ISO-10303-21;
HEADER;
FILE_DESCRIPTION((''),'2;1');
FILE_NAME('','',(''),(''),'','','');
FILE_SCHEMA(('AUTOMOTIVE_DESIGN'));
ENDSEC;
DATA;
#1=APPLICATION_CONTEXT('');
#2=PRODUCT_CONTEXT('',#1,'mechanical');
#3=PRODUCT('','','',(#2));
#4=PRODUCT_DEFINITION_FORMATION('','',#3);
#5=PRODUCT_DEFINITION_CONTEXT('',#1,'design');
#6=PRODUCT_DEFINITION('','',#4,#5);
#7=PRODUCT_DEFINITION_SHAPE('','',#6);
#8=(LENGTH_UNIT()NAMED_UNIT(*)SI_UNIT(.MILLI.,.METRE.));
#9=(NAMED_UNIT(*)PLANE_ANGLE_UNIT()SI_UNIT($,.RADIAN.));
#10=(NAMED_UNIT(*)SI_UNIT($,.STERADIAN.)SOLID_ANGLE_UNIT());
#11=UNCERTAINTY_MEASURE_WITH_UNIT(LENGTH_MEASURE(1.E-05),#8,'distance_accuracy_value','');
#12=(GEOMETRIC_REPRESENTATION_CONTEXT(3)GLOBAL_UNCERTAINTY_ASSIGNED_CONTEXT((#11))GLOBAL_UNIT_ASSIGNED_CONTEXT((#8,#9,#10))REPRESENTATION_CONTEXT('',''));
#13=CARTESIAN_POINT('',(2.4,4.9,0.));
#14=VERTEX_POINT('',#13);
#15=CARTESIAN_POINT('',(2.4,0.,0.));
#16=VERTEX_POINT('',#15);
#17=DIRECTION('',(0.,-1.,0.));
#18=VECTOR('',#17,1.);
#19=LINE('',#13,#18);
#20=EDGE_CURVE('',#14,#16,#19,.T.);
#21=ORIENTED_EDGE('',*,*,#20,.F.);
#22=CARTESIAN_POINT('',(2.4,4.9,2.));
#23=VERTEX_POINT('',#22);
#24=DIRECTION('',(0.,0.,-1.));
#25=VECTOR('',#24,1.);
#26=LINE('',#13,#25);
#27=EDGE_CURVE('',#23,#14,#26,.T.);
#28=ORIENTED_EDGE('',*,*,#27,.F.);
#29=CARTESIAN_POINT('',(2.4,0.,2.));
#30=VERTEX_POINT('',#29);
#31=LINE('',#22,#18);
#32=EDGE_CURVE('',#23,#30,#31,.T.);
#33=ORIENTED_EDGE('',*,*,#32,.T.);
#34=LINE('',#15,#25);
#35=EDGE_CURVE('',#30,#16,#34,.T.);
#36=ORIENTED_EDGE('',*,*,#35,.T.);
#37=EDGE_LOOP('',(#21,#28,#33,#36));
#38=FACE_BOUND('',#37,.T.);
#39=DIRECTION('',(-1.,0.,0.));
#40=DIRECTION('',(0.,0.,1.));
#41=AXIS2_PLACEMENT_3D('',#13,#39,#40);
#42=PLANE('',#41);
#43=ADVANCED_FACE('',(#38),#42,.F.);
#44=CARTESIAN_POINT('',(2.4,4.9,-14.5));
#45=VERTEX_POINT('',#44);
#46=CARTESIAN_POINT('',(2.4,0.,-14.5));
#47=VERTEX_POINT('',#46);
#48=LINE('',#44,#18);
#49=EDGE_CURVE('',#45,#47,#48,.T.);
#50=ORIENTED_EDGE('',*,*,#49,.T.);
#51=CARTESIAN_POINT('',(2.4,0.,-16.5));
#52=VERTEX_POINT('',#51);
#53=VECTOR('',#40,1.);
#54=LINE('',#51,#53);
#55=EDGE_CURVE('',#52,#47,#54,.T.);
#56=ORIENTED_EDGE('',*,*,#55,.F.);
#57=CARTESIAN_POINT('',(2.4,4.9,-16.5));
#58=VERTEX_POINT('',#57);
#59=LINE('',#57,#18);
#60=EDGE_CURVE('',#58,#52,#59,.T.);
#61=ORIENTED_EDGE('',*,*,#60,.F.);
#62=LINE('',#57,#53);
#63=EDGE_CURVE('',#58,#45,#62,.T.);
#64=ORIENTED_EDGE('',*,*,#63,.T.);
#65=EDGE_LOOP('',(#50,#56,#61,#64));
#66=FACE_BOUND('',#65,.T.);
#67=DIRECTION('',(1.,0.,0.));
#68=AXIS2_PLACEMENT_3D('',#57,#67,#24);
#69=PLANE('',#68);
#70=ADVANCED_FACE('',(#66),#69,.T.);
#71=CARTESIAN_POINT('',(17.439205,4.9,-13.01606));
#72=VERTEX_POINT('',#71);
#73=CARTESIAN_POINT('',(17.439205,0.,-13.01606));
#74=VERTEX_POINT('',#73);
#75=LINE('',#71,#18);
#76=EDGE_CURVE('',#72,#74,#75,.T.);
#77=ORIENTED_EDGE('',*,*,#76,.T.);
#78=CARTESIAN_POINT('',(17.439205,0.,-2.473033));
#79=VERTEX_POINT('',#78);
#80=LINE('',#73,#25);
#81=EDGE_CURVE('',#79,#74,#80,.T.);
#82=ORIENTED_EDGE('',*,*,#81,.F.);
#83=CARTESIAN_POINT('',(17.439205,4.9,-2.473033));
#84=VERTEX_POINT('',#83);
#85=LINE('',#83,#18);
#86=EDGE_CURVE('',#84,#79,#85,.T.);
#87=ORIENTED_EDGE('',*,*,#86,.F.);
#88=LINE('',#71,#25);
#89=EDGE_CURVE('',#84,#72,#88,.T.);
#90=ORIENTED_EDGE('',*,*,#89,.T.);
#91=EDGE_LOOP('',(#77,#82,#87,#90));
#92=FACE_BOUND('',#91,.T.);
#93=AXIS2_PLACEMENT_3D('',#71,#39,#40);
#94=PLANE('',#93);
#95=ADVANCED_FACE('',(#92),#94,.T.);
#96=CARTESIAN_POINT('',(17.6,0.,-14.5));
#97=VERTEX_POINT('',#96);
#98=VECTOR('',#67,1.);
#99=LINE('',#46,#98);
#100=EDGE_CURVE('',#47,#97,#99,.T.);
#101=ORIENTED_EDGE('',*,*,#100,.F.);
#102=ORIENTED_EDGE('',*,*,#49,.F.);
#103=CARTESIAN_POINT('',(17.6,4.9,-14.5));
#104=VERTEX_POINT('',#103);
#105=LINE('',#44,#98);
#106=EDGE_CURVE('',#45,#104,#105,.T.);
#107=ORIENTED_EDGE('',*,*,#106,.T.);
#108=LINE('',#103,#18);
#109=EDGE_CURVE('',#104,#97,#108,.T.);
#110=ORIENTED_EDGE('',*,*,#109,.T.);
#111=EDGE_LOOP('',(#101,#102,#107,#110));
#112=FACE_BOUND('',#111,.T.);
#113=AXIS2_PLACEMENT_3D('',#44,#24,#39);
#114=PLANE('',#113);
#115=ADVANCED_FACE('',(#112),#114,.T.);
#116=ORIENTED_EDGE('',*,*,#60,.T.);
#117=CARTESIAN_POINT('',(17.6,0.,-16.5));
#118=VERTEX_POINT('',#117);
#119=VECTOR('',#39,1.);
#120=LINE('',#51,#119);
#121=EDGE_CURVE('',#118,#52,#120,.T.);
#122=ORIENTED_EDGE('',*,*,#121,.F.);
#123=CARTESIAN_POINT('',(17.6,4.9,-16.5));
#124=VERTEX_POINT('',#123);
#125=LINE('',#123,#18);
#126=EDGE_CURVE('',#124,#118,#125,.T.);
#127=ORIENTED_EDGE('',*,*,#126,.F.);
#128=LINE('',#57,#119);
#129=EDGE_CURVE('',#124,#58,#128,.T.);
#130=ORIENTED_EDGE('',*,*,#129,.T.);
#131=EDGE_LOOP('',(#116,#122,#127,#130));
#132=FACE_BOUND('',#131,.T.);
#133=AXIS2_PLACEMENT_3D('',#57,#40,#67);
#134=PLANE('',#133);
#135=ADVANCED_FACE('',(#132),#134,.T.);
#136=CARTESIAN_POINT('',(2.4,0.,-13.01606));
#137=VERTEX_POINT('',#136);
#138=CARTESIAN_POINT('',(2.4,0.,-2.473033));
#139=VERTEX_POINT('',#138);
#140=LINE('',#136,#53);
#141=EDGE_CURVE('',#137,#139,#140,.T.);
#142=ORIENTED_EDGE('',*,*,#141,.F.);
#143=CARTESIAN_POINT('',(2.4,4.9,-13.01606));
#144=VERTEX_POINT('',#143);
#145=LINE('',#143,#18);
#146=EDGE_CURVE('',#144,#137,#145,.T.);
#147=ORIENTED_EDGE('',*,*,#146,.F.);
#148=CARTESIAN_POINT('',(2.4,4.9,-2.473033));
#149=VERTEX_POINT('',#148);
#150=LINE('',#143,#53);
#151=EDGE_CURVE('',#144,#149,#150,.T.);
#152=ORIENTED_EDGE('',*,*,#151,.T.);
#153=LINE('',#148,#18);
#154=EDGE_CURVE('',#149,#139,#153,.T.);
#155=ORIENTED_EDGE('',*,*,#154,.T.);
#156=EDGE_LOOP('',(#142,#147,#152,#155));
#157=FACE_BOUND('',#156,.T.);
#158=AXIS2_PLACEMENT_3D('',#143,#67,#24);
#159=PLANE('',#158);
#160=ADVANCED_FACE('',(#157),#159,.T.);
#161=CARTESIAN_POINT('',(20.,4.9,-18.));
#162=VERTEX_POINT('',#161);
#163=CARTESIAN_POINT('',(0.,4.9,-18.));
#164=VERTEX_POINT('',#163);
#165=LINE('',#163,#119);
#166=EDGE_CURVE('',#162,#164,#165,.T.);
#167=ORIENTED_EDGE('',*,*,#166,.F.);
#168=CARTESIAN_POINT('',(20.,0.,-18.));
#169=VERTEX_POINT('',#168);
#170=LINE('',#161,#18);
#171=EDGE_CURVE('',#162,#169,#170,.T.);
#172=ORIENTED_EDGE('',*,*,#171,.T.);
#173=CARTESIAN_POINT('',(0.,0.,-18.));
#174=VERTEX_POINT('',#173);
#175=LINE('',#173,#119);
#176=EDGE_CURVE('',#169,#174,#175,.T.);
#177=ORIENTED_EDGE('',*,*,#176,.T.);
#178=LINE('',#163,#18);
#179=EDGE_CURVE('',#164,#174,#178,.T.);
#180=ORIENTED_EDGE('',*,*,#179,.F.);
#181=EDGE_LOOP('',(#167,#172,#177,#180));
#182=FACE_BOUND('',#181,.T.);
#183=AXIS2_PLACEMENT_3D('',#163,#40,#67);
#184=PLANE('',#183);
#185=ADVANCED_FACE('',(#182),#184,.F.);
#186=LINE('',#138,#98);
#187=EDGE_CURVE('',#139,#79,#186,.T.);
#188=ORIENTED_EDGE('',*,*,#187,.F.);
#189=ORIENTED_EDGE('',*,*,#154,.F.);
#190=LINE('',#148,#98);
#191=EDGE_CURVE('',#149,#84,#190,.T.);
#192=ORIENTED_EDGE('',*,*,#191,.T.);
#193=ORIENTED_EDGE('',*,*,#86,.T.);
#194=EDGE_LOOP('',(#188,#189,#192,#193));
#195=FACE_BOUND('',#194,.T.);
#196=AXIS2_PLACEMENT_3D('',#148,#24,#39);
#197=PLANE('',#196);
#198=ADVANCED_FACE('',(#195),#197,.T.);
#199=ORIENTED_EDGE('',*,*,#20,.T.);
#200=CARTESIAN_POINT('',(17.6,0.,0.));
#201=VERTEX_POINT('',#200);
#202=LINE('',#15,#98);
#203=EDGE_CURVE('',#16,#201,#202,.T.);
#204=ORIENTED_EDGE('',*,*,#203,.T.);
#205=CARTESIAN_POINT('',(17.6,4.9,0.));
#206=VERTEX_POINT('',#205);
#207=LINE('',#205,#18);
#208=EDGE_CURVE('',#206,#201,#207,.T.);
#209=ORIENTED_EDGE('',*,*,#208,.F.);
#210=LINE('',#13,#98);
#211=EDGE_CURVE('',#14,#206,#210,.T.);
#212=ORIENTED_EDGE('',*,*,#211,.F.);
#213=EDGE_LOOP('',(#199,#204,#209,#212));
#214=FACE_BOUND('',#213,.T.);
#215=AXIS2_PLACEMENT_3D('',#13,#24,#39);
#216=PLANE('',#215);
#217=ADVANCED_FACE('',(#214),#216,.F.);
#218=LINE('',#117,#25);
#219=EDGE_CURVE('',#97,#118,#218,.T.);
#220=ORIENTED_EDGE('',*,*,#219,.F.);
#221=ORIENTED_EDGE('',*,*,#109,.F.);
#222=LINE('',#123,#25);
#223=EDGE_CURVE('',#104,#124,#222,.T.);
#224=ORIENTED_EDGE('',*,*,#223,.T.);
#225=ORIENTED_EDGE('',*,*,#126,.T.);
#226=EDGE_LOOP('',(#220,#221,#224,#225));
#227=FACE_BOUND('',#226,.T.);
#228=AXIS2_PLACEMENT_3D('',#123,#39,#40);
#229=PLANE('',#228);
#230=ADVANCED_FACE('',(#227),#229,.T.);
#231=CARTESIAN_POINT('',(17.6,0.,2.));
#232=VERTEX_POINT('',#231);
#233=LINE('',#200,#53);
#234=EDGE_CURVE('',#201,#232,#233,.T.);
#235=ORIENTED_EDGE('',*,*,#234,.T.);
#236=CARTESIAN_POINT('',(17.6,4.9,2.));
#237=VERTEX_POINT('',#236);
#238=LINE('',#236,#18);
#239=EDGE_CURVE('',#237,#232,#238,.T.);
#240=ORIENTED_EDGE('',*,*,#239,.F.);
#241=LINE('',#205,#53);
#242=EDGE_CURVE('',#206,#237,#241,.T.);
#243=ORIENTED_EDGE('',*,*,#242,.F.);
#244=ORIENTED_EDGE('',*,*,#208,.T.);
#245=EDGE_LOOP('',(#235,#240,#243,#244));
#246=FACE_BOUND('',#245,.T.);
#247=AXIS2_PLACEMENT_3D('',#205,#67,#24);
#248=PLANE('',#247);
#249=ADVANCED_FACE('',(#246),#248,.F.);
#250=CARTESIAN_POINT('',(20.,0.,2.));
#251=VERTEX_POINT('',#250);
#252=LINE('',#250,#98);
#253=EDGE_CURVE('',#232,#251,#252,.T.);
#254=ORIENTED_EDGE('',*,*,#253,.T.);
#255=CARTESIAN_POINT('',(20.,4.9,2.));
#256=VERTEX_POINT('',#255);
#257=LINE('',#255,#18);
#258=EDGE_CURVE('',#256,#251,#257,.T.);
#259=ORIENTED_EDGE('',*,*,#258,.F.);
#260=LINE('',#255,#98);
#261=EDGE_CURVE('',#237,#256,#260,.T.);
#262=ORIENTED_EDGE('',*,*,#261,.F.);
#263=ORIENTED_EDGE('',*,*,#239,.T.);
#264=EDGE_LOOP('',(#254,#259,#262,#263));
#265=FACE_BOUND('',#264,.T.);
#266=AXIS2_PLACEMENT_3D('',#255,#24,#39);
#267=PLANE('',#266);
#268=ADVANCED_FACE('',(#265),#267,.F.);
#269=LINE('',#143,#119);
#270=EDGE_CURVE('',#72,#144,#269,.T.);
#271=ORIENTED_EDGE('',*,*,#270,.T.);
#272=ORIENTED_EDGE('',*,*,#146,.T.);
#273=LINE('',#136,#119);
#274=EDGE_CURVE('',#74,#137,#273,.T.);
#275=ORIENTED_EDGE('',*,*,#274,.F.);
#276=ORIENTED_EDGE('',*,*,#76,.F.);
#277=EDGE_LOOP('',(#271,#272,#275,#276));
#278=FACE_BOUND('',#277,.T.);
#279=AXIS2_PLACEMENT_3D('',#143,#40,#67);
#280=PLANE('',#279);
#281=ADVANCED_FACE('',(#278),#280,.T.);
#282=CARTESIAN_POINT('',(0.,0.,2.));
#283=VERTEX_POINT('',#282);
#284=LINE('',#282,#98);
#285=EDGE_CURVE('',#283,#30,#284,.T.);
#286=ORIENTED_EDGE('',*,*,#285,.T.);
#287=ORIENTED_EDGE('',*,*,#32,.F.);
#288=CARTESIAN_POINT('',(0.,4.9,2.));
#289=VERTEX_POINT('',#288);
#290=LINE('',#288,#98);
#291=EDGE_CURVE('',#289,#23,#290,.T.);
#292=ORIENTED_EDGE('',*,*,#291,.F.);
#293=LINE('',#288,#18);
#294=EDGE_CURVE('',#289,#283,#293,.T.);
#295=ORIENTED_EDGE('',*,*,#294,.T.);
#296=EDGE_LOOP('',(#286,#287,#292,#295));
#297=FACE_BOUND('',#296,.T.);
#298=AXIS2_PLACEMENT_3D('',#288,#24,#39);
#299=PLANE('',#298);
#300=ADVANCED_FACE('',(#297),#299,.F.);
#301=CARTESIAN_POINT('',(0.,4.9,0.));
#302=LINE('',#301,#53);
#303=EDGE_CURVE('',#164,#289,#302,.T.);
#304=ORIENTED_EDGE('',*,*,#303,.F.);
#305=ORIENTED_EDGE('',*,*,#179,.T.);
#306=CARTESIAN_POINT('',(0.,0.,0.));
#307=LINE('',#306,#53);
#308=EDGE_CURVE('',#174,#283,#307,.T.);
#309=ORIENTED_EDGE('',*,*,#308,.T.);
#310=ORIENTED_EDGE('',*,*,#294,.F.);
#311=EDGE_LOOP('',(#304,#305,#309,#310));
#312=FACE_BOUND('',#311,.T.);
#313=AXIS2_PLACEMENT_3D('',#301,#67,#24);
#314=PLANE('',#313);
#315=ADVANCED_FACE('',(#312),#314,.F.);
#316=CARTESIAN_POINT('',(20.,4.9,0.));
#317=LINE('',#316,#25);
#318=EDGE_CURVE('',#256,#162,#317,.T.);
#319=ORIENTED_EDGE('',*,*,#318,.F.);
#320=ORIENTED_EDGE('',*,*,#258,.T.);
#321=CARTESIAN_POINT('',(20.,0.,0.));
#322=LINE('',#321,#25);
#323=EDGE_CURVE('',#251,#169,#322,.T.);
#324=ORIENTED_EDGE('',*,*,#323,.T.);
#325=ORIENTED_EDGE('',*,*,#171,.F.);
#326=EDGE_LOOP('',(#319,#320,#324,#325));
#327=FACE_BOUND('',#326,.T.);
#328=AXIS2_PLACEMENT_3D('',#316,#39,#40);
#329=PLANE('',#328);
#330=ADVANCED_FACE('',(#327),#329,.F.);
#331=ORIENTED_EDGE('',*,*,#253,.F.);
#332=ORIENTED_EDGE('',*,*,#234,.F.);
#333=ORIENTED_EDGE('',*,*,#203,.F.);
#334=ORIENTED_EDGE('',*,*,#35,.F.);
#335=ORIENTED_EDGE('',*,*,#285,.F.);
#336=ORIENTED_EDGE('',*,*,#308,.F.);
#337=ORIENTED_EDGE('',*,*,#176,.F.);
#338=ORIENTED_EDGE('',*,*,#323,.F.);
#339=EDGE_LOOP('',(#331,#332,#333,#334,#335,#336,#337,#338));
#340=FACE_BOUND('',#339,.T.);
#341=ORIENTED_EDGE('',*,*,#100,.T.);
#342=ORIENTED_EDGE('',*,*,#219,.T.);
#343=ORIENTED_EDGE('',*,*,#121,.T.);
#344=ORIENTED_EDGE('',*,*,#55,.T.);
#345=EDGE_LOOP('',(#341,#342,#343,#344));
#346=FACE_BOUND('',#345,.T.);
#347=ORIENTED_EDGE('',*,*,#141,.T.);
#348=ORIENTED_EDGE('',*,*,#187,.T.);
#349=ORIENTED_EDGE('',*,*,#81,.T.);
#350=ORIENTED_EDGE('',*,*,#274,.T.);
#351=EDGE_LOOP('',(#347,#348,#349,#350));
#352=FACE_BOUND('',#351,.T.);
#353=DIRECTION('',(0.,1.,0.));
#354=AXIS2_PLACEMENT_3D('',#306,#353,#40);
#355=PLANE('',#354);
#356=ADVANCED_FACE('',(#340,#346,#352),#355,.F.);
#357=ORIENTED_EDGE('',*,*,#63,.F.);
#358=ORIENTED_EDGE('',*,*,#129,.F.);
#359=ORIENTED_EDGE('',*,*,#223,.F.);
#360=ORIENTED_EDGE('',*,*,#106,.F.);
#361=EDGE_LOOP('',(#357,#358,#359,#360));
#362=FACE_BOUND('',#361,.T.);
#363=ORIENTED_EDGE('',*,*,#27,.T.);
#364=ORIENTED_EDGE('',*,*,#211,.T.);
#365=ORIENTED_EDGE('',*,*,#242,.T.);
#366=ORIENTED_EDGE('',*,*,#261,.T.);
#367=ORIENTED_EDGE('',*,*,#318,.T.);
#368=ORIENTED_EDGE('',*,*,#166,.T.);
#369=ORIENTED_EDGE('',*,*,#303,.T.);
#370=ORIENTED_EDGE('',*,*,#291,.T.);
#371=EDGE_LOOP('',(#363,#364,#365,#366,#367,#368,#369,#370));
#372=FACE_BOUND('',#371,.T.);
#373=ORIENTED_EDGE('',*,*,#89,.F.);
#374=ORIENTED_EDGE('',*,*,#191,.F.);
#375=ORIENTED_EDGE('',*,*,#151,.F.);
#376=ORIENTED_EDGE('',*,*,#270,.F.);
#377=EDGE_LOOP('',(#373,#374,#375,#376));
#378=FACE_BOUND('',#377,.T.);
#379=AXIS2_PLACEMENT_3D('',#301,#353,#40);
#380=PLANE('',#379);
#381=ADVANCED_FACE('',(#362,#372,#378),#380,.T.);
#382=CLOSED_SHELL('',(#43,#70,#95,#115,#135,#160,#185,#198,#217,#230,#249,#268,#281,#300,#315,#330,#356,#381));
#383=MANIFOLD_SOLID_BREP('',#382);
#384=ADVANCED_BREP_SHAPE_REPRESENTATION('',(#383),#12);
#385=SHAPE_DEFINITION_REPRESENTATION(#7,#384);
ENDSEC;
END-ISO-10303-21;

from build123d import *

# Parameters (mm, degrees)
SKETCH1_W           = 15.039204539
SKETCH1_H           = 10.543027195
SKETCH1_W_2         = 15.2
SKETCH1_H_2         = 2
BOSS_EXTRUDE1_DEPTH = 4.9


with BuildPart() as part:
    # Sketch1 → Boss-Extrude1 (new body)
    with BuildSketch(Plane(origin=(0, 0, 0), x_dir=(1, 0, 0), z_dir=(0, 1, 0))):
        Polygon((2.4, 0), (17.6, 0), (17.6, -2), (20, -2), (20, 0), (20, 18), (0, 18), (0, 0), (0, -2), (2.4, -2), align=None)
        with Locations((9.91960227, 7.744546306)):
            Rectangle(SKETCH1_W, SKETCH1_H, mode=Mode.SUBTRACT)
        with Locations((10, 15.5)):
            Rectangle(SKETCH1_W_2, SKETCH1_H_2, mode=Mode.SUBTRACT)
    extrude(amount=BOSS_EXTRUDE1_DEPTH)


solid = part.part
